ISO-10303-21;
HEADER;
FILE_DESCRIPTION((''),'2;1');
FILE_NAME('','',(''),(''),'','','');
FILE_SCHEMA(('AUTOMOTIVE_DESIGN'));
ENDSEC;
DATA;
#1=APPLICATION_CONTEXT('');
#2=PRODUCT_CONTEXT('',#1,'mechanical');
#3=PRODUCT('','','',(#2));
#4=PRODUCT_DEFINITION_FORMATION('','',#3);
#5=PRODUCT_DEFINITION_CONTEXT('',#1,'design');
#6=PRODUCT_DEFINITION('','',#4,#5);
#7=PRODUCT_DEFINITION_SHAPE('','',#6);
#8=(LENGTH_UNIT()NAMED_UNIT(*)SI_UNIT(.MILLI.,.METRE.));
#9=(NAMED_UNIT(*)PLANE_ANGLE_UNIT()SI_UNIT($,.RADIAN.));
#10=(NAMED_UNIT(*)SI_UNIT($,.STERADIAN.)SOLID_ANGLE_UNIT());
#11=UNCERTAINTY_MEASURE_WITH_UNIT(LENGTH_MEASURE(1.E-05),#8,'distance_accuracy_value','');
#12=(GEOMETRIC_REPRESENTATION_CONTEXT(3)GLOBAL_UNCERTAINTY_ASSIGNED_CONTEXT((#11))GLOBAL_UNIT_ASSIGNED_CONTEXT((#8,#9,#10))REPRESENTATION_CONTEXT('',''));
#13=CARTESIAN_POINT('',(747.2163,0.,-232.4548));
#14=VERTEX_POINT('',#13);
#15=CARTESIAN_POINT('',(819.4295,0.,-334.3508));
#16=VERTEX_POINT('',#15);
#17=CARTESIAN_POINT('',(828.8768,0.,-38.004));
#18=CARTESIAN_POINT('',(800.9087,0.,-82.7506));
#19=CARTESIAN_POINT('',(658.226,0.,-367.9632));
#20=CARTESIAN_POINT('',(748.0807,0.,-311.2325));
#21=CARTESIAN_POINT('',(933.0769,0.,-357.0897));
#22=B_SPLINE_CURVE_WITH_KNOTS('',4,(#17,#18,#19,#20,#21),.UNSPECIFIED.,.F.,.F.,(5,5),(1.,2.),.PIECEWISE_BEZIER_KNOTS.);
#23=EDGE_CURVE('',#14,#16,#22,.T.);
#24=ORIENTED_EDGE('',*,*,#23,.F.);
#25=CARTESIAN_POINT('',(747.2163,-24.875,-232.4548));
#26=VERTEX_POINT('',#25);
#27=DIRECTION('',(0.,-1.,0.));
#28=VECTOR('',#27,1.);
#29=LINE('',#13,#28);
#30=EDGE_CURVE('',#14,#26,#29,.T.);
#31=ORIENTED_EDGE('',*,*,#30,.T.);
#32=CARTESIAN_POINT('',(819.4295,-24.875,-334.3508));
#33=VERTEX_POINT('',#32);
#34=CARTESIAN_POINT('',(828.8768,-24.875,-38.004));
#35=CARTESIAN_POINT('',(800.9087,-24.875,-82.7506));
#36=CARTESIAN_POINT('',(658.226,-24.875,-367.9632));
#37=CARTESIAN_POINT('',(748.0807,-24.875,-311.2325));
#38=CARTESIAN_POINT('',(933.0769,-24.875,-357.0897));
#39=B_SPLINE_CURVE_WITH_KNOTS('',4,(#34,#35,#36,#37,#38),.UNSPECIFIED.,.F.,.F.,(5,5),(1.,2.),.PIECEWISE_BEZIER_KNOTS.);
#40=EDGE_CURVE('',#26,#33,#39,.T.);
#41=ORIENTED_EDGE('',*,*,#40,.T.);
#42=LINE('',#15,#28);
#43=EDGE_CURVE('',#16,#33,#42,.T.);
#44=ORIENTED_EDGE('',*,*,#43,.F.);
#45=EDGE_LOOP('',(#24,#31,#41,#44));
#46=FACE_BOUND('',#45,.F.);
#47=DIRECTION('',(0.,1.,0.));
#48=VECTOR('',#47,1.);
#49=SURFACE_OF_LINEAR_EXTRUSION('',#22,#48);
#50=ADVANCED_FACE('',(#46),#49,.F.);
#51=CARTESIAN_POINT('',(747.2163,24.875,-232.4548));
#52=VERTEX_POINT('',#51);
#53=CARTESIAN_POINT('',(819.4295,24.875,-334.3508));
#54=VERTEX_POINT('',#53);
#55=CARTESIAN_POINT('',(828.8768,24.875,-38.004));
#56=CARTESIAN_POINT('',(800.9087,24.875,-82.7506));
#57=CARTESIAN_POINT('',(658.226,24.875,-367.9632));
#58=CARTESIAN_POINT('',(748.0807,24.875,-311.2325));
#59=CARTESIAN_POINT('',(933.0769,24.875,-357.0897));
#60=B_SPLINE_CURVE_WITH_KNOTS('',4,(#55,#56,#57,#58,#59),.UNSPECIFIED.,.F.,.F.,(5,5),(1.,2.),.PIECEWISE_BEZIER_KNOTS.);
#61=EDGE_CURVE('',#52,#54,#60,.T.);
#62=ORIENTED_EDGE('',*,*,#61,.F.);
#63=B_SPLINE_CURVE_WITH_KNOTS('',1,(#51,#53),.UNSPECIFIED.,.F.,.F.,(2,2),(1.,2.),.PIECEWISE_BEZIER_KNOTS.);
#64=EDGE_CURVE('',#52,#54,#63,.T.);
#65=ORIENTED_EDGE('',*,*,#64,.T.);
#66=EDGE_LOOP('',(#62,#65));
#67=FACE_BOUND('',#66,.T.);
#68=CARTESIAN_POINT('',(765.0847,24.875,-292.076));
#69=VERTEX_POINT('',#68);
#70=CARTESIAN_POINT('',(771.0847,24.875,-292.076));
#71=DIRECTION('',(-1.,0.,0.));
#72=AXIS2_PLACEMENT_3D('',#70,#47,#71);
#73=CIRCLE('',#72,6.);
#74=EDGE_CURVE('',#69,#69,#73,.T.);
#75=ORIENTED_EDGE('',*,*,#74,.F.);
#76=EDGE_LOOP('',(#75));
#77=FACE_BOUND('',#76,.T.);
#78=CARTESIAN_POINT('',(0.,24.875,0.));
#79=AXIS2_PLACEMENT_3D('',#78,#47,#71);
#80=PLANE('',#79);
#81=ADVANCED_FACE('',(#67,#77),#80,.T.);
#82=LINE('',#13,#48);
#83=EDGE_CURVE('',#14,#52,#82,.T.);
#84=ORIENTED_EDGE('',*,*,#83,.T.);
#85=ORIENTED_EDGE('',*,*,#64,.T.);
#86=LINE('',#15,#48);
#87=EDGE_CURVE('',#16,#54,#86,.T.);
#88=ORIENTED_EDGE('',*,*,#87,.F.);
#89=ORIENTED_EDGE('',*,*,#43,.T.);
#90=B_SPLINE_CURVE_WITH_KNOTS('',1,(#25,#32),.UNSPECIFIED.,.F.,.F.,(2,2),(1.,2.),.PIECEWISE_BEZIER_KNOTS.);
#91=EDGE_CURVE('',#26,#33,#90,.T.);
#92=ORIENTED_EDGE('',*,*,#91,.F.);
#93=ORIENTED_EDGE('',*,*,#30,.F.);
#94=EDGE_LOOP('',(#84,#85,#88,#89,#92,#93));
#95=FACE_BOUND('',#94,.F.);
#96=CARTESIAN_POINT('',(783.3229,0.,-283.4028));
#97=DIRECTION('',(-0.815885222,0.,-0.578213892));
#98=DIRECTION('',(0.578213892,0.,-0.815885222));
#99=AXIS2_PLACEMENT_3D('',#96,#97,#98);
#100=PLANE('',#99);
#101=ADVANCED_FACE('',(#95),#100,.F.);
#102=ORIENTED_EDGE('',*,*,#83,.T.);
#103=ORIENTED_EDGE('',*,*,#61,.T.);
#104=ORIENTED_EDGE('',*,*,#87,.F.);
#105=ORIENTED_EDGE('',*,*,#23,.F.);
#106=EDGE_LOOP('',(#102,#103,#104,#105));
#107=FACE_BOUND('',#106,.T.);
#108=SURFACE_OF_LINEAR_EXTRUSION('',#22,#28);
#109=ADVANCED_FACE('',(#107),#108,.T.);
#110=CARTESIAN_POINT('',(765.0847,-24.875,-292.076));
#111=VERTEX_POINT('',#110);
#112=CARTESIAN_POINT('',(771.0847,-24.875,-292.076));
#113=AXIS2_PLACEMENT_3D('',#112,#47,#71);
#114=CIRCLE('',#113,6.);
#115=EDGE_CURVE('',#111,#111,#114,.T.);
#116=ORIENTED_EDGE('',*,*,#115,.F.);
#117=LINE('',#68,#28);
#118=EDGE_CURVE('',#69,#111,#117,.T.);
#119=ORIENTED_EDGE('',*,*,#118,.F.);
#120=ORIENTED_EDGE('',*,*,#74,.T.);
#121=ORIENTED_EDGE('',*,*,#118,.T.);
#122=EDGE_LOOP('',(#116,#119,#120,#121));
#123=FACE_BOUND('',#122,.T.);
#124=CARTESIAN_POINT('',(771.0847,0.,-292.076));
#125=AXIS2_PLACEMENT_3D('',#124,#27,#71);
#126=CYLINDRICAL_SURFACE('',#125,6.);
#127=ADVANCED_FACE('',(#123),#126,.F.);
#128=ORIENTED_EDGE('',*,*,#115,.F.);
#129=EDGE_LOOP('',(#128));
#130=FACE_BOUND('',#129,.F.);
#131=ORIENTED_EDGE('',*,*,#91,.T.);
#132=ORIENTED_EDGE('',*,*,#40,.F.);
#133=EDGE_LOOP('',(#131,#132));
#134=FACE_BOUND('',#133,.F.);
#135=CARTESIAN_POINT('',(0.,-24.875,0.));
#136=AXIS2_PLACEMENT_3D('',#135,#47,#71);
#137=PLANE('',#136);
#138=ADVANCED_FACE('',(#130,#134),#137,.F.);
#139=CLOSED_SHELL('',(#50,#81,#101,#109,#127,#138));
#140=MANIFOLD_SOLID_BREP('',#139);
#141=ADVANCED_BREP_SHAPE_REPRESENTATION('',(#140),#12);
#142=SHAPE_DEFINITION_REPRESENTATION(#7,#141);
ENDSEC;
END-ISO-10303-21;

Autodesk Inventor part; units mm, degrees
ref_plane "YZ Plane" through (0, 0, 0) normal (1, 0, 0) x (0, 1, 0)
ref_plane "XZ Plane" through (0, 0, 0) normal (0, 1, 0) x (-1, 0, 0)
ref_plane "XY Plane" through (0, 0, 0) normal (0, 0, 1) x (1, 0, 0)
sketch "Sketch1" plane through (0, 0, 0) normal (0, 1, 0) x (-1, 0, 0)
  spline S0 degree 4 poles (-828.8768, -38.004) (-800.9087, -82.7506) (-658.226, -367.9632) (-748.0807, -311.2325) (-933.0769, -357.0897) knots 1 1 1 1 1 2 2 2 2 2 projected
  line L0 (-747.2163, -232.4548) -> (-819.4295, -334.3508) construction
  spline S1 degree 1 poles (-747.2163, -232.4548) (-819.4295, -334.3508) knots 1 1 2 2
  circle A0 centre (-771.0847, -292.076) radius 6
  line L1 (-783.3229, -283.4028) -> (-771.0847, -292.076) construction
  point P0 (0, 0)
  dimension "d0" = 12
  dimension "d1" = 15
extrude "Extrusion1" add sketch "Sketch1" along normal mid plane 49.75
properties part number "Rear_Strut_pivot_support"
